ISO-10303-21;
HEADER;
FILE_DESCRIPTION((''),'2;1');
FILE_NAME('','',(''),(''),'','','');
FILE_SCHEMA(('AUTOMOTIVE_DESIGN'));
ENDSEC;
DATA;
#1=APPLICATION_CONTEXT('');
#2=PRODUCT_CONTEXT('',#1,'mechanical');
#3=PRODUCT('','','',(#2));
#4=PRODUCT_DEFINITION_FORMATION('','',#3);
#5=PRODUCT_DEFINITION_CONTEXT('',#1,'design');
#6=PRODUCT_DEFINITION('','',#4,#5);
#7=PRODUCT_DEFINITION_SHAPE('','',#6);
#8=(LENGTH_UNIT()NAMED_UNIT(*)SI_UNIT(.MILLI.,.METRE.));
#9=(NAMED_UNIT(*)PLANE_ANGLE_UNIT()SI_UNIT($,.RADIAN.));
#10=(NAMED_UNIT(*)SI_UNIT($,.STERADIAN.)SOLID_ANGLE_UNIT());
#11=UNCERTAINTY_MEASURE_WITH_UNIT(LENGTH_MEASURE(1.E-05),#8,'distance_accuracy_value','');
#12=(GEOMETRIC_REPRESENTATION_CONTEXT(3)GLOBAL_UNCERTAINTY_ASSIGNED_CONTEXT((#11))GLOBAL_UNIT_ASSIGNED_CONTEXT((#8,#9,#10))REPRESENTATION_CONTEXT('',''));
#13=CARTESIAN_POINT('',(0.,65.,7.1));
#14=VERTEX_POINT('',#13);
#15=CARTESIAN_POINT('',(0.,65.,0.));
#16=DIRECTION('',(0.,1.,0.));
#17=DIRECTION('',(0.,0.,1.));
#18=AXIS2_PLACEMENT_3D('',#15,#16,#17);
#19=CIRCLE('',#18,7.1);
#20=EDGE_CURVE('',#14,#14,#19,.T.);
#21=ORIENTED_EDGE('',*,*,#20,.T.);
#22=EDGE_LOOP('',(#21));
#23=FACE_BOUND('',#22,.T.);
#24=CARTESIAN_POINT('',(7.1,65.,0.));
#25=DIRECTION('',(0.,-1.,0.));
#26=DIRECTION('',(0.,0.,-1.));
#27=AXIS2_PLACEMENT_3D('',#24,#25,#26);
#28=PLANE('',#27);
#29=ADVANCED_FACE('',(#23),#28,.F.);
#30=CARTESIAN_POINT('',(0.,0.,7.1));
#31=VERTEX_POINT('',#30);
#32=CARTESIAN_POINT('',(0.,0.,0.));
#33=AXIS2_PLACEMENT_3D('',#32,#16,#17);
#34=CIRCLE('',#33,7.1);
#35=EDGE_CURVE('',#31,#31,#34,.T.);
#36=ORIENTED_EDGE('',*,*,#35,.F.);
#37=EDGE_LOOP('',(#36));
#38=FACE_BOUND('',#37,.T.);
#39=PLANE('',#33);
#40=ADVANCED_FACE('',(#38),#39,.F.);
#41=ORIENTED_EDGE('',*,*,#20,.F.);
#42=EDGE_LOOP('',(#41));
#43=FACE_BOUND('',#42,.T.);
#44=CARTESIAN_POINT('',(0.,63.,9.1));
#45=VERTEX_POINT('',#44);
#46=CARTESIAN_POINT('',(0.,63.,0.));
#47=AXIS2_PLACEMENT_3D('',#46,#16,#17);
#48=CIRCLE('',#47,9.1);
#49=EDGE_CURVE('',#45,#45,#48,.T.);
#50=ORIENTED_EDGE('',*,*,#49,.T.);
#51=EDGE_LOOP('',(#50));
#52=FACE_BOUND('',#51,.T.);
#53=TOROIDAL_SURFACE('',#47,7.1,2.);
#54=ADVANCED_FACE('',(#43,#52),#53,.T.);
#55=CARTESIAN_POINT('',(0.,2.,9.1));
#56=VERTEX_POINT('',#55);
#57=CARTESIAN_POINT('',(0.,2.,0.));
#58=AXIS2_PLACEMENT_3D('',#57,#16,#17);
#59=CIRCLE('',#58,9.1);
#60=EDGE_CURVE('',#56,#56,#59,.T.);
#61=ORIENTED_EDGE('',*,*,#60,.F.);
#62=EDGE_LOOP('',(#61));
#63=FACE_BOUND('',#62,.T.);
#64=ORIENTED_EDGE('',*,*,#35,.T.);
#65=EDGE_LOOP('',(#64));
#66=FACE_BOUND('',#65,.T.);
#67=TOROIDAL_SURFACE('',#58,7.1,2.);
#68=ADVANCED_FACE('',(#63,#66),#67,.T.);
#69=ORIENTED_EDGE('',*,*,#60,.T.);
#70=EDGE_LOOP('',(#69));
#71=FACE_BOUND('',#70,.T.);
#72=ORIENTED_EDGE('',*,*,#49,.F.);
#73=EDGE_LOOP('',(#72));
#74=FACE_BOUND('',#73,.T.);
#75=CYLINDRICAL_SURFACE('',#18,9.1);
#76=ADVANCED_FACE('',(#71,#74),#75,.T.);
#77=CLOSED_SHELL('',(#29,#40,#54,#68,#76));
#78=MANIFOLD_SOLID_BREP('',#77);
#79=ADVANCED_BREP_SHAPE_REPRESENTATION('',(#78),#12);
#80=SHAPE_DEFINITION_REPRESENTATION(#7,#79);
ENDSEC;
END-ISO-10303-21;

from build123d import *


with BuildPart() as part:
    # Sketch1 → Revolve1 (revolve)
    with BuildSketch(Plane.XY):
        with BuildLine():
            Line((0, 0), (7.1, 0))
            ThreePointArc((7.1, 0), (8.514213562, 0.585786438), (9.1, 2))
            Line((9.1, 2), (9.1, 63))
            ThreePointArc((9.1, 63), (8.514213562, 64.414213562), (7.1, 65))
            Line((7.1, 65), (0, 65))
            Line((0, 65), (0, 0))
        make_face()
    revolve(axis=Axis((0, 65, 0), (0, -1, 0)))


solid = part.part
